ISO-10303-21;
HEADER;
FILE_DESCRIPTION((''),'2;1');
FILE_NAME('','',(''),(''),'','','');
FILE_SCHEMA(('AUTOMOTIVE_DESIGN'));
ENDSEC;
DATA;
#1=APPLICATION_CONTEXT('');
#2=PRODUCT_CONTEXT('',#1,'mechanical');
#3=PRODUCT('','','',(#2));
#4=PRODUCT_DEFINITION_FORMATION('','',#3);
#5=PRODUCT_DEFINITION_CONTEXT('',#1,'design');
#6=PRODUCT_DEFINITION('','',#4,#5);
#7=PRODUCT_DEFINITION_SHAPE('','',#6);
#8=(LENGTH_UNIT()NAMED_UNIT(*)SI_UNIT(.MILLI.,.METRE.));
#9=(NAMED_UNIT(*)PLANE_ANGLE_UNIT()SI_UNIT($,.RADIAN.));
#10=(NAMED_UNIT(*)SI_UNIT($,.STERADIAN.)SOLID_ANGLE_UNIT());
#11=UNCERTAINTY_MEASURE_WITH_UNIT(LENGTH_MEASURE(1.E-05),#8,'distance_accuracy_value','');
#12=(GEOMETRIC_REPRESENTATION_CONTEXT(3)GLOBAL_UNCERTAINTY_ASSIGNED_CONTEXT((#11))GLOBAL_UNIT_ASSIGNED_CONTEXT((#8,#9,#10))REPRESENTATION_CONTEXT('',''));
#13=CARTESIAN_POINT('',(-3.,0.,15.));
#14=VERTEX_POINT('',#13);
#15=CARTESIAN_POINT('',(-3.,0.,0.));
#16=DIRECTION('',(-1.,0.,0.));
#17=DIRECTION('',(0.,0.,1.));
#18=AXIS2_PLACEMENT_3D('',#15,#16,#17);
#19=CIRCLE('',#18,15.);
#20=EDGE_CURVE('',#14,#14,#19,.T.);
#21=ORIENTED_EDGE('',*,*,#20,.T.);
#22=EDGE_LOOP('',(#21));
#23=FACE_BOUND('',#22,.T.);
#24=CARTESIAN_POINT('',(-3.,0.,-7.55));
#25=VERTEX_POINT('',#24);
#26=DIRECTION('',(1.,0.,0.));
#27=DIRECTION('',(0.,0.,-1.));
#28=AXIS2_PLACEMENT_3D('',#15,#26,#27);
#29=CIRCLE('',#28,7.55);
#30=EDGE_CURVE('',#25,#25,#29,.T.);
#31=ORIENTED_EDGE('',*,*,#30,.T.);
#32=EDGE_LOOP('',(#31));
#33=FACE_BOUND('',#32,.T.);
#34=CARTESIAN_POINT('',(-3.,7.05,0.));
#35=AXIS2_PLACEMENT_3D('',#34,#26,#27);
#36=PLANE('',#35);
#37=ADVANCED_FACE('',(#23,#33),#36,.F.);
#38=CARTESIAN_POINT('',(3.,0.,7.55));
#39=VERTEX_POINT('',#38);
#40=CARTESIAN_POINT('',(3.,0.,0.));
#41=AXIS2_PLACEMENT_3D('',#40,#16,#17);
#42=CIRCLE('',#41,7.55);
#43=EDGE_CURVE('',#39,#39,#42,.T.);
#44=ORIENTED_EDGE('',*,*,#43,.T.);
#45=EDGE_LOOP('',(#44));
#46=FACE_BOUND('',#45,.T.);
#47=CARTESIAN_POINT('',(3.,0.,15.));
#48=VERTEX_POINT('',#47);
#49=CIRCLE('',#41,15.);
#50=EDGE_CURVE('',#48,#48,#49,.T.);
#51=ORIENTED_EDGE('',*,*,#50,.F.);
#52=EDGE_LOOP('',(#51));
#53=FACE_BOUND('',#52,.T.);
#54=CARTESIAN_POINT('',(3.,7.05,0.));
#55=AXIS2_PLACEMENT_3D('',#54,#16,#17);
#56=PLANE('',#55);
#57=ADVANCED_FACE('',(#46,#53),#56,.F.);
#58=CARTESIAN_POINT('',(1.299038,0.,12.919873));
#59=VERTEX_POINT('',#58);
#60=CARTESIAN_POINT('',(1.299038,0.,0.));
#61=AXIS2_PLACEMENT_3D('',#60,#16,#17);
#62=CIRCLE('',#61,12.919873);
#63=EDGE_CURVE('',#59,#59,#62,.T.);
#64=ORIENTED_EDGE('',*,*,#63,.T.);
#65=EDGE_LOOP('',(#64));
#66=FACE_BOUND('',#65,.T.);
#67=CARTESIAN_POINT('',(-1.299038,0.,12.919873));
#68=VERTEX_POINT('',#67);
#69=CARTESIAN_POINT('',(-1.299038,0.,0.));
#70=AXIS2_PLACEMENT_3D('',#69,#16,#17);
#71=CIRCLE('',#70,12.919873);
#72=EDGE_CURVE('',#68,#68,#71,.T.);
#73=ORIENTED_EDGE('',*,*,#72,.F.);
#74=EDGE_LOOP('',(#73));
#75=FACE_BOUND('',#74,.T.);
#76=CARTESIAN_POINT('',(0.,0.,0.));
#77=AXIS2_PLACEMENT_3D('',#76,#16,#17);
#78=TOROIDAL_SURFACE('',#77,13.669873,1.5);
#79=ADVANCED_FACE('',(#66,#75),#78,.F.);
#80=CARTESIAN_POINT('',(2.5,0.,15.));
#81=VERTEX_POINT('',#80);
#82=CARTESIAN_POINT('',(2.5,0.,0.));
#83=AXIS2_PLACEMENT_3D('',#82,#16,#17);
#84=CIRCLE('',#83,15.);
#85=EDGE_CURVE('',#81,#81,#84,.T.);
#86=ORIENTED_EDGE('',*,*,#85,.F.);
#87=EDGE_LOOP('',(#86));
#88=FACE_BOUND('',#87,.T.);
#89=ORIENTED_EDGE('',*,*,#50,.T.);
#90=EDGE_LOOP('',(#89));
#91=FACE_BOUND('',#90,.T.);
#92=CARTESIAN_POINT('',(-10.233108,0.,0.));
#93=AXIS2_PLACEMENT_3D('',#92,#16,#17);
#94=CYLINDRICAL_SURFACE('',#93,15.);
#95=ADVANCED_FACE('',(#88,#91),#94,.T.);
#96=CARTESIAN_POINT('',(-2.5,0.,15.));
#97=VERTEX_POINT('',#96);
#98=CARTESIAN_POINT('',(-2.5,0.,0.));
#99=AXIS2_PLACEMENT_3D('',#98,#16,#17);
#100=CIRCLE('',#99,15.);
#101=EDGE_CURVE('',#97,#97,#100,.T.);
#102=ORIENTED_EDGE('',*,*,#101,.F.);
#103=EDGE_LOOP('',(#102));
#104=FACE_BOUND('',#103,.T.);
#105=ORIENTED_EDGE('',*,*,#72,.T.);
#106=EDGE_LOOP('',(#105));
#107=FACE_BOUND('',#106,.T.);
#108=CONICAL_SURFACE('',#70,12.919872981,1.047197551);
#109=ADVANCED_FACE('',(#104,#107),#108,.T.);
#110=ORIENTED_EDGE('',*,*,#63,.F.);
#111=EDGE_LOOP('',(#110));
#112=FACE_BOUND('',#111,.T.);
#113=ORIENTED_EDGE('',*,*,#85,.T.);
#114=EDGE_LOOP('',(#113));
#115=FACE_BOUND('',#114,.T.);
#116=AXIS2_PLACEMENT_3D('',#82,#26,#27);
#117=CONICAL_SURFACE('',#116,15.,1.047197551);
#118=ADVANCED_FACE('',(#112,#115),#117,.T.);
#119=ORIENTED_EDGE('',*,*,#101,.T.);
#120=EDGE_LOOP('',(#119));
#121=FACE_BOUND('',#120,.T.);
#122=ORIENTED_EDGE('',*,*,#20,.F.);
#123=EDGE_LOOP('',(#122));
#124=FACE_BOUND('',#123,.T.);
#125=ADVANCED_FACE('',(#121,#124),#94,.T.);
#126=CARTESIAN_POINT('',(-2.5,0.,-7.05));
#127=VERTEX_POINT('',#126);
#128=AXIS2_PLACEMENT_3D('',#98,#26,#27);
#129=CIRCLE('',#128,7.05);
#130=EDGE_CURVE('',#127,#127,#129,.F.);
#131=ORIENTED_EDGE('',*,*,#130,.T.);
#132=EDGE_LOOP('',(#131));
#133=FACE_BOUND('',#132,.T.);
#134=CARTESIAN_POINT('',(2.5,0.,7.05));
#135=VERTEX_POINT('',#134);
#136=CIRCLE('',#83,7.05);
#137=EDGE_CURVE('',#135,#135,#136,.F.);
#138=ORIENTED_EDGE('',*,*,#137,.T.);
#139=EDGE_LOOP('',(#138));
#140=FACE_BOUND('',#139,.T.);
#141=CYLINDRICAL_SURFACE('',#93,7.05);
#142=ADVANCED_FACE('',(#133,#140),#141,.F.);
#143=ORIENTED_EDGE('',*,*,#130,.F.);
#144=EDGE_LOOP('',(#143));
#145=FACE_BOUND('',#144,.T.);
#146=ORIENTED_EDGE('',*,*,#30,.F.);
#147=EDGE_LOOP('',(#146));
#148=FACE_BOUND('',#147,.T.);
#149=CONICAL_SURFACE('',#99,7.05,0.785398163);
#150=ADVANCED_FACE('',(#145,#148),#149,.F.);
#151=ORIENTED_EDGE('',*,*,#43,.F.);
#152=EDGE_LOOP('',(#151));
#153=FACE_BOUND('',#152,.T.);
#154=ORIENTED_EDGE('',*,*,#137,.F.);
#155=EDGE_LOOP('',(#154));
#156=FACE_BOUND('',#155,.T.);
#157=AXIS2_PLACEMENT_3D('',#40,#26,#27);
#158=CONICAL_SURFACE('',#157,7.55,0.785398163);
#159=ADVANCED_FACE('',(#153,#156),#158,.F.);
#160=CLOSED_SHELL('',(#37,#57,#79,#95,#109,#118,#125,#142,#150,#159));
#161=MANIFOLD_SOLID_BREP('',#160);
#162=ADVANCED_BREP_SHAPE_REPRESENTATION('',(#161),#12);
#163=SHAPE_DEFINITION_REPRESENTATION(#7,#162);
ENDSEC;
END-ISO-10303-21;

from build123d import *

# Parameters (mm, degrees)
CHAMFER_1_SIZE = 0.5


with BuildPart() as part:
    # 草图1 → 旋转1 (revolve)
    with BuildSketch(Plane.XY, mode=Mode.PRIVATE) as revolve_1_sk:
        with BuildLine():
            Line((-3, 7.05), (3, 7.05))
            Line((3, 7.05), (3, 15))
            Line((3, 15), (2.5, 15))
            Line((2.5, 15), (1.299038106, 12.919872981))
            ThreePointArc((1.299038106, 12.919872981), (0, 12.169872981), (-1.299038106, 12.919872981))
            Line((-1.299038106, 12.919872981), (-2.5, 15))
            Line((-2.5, 15), (-3, 15))
            Line((-3, 15), (-3, 7.05))
        make_face()
    revolve(revolve_1_sk.sketch.rotate(Axis((-10.233108396, 0, 0), (1, 0, 0)), 90), axis=Axis((-10.233108396, 0, 0), (1, 0, 0)))

    # 倒角1
    chamfer_1_edges = [part.edges().sort_by_distance(p)[0] for p in [
        (3, 0, -7.05),
        (-3, 0, -7.05),
    ]]
    chamfer(chamfer_1_edges, length=CHAMFER_1_SIZE)


solid = part.part
